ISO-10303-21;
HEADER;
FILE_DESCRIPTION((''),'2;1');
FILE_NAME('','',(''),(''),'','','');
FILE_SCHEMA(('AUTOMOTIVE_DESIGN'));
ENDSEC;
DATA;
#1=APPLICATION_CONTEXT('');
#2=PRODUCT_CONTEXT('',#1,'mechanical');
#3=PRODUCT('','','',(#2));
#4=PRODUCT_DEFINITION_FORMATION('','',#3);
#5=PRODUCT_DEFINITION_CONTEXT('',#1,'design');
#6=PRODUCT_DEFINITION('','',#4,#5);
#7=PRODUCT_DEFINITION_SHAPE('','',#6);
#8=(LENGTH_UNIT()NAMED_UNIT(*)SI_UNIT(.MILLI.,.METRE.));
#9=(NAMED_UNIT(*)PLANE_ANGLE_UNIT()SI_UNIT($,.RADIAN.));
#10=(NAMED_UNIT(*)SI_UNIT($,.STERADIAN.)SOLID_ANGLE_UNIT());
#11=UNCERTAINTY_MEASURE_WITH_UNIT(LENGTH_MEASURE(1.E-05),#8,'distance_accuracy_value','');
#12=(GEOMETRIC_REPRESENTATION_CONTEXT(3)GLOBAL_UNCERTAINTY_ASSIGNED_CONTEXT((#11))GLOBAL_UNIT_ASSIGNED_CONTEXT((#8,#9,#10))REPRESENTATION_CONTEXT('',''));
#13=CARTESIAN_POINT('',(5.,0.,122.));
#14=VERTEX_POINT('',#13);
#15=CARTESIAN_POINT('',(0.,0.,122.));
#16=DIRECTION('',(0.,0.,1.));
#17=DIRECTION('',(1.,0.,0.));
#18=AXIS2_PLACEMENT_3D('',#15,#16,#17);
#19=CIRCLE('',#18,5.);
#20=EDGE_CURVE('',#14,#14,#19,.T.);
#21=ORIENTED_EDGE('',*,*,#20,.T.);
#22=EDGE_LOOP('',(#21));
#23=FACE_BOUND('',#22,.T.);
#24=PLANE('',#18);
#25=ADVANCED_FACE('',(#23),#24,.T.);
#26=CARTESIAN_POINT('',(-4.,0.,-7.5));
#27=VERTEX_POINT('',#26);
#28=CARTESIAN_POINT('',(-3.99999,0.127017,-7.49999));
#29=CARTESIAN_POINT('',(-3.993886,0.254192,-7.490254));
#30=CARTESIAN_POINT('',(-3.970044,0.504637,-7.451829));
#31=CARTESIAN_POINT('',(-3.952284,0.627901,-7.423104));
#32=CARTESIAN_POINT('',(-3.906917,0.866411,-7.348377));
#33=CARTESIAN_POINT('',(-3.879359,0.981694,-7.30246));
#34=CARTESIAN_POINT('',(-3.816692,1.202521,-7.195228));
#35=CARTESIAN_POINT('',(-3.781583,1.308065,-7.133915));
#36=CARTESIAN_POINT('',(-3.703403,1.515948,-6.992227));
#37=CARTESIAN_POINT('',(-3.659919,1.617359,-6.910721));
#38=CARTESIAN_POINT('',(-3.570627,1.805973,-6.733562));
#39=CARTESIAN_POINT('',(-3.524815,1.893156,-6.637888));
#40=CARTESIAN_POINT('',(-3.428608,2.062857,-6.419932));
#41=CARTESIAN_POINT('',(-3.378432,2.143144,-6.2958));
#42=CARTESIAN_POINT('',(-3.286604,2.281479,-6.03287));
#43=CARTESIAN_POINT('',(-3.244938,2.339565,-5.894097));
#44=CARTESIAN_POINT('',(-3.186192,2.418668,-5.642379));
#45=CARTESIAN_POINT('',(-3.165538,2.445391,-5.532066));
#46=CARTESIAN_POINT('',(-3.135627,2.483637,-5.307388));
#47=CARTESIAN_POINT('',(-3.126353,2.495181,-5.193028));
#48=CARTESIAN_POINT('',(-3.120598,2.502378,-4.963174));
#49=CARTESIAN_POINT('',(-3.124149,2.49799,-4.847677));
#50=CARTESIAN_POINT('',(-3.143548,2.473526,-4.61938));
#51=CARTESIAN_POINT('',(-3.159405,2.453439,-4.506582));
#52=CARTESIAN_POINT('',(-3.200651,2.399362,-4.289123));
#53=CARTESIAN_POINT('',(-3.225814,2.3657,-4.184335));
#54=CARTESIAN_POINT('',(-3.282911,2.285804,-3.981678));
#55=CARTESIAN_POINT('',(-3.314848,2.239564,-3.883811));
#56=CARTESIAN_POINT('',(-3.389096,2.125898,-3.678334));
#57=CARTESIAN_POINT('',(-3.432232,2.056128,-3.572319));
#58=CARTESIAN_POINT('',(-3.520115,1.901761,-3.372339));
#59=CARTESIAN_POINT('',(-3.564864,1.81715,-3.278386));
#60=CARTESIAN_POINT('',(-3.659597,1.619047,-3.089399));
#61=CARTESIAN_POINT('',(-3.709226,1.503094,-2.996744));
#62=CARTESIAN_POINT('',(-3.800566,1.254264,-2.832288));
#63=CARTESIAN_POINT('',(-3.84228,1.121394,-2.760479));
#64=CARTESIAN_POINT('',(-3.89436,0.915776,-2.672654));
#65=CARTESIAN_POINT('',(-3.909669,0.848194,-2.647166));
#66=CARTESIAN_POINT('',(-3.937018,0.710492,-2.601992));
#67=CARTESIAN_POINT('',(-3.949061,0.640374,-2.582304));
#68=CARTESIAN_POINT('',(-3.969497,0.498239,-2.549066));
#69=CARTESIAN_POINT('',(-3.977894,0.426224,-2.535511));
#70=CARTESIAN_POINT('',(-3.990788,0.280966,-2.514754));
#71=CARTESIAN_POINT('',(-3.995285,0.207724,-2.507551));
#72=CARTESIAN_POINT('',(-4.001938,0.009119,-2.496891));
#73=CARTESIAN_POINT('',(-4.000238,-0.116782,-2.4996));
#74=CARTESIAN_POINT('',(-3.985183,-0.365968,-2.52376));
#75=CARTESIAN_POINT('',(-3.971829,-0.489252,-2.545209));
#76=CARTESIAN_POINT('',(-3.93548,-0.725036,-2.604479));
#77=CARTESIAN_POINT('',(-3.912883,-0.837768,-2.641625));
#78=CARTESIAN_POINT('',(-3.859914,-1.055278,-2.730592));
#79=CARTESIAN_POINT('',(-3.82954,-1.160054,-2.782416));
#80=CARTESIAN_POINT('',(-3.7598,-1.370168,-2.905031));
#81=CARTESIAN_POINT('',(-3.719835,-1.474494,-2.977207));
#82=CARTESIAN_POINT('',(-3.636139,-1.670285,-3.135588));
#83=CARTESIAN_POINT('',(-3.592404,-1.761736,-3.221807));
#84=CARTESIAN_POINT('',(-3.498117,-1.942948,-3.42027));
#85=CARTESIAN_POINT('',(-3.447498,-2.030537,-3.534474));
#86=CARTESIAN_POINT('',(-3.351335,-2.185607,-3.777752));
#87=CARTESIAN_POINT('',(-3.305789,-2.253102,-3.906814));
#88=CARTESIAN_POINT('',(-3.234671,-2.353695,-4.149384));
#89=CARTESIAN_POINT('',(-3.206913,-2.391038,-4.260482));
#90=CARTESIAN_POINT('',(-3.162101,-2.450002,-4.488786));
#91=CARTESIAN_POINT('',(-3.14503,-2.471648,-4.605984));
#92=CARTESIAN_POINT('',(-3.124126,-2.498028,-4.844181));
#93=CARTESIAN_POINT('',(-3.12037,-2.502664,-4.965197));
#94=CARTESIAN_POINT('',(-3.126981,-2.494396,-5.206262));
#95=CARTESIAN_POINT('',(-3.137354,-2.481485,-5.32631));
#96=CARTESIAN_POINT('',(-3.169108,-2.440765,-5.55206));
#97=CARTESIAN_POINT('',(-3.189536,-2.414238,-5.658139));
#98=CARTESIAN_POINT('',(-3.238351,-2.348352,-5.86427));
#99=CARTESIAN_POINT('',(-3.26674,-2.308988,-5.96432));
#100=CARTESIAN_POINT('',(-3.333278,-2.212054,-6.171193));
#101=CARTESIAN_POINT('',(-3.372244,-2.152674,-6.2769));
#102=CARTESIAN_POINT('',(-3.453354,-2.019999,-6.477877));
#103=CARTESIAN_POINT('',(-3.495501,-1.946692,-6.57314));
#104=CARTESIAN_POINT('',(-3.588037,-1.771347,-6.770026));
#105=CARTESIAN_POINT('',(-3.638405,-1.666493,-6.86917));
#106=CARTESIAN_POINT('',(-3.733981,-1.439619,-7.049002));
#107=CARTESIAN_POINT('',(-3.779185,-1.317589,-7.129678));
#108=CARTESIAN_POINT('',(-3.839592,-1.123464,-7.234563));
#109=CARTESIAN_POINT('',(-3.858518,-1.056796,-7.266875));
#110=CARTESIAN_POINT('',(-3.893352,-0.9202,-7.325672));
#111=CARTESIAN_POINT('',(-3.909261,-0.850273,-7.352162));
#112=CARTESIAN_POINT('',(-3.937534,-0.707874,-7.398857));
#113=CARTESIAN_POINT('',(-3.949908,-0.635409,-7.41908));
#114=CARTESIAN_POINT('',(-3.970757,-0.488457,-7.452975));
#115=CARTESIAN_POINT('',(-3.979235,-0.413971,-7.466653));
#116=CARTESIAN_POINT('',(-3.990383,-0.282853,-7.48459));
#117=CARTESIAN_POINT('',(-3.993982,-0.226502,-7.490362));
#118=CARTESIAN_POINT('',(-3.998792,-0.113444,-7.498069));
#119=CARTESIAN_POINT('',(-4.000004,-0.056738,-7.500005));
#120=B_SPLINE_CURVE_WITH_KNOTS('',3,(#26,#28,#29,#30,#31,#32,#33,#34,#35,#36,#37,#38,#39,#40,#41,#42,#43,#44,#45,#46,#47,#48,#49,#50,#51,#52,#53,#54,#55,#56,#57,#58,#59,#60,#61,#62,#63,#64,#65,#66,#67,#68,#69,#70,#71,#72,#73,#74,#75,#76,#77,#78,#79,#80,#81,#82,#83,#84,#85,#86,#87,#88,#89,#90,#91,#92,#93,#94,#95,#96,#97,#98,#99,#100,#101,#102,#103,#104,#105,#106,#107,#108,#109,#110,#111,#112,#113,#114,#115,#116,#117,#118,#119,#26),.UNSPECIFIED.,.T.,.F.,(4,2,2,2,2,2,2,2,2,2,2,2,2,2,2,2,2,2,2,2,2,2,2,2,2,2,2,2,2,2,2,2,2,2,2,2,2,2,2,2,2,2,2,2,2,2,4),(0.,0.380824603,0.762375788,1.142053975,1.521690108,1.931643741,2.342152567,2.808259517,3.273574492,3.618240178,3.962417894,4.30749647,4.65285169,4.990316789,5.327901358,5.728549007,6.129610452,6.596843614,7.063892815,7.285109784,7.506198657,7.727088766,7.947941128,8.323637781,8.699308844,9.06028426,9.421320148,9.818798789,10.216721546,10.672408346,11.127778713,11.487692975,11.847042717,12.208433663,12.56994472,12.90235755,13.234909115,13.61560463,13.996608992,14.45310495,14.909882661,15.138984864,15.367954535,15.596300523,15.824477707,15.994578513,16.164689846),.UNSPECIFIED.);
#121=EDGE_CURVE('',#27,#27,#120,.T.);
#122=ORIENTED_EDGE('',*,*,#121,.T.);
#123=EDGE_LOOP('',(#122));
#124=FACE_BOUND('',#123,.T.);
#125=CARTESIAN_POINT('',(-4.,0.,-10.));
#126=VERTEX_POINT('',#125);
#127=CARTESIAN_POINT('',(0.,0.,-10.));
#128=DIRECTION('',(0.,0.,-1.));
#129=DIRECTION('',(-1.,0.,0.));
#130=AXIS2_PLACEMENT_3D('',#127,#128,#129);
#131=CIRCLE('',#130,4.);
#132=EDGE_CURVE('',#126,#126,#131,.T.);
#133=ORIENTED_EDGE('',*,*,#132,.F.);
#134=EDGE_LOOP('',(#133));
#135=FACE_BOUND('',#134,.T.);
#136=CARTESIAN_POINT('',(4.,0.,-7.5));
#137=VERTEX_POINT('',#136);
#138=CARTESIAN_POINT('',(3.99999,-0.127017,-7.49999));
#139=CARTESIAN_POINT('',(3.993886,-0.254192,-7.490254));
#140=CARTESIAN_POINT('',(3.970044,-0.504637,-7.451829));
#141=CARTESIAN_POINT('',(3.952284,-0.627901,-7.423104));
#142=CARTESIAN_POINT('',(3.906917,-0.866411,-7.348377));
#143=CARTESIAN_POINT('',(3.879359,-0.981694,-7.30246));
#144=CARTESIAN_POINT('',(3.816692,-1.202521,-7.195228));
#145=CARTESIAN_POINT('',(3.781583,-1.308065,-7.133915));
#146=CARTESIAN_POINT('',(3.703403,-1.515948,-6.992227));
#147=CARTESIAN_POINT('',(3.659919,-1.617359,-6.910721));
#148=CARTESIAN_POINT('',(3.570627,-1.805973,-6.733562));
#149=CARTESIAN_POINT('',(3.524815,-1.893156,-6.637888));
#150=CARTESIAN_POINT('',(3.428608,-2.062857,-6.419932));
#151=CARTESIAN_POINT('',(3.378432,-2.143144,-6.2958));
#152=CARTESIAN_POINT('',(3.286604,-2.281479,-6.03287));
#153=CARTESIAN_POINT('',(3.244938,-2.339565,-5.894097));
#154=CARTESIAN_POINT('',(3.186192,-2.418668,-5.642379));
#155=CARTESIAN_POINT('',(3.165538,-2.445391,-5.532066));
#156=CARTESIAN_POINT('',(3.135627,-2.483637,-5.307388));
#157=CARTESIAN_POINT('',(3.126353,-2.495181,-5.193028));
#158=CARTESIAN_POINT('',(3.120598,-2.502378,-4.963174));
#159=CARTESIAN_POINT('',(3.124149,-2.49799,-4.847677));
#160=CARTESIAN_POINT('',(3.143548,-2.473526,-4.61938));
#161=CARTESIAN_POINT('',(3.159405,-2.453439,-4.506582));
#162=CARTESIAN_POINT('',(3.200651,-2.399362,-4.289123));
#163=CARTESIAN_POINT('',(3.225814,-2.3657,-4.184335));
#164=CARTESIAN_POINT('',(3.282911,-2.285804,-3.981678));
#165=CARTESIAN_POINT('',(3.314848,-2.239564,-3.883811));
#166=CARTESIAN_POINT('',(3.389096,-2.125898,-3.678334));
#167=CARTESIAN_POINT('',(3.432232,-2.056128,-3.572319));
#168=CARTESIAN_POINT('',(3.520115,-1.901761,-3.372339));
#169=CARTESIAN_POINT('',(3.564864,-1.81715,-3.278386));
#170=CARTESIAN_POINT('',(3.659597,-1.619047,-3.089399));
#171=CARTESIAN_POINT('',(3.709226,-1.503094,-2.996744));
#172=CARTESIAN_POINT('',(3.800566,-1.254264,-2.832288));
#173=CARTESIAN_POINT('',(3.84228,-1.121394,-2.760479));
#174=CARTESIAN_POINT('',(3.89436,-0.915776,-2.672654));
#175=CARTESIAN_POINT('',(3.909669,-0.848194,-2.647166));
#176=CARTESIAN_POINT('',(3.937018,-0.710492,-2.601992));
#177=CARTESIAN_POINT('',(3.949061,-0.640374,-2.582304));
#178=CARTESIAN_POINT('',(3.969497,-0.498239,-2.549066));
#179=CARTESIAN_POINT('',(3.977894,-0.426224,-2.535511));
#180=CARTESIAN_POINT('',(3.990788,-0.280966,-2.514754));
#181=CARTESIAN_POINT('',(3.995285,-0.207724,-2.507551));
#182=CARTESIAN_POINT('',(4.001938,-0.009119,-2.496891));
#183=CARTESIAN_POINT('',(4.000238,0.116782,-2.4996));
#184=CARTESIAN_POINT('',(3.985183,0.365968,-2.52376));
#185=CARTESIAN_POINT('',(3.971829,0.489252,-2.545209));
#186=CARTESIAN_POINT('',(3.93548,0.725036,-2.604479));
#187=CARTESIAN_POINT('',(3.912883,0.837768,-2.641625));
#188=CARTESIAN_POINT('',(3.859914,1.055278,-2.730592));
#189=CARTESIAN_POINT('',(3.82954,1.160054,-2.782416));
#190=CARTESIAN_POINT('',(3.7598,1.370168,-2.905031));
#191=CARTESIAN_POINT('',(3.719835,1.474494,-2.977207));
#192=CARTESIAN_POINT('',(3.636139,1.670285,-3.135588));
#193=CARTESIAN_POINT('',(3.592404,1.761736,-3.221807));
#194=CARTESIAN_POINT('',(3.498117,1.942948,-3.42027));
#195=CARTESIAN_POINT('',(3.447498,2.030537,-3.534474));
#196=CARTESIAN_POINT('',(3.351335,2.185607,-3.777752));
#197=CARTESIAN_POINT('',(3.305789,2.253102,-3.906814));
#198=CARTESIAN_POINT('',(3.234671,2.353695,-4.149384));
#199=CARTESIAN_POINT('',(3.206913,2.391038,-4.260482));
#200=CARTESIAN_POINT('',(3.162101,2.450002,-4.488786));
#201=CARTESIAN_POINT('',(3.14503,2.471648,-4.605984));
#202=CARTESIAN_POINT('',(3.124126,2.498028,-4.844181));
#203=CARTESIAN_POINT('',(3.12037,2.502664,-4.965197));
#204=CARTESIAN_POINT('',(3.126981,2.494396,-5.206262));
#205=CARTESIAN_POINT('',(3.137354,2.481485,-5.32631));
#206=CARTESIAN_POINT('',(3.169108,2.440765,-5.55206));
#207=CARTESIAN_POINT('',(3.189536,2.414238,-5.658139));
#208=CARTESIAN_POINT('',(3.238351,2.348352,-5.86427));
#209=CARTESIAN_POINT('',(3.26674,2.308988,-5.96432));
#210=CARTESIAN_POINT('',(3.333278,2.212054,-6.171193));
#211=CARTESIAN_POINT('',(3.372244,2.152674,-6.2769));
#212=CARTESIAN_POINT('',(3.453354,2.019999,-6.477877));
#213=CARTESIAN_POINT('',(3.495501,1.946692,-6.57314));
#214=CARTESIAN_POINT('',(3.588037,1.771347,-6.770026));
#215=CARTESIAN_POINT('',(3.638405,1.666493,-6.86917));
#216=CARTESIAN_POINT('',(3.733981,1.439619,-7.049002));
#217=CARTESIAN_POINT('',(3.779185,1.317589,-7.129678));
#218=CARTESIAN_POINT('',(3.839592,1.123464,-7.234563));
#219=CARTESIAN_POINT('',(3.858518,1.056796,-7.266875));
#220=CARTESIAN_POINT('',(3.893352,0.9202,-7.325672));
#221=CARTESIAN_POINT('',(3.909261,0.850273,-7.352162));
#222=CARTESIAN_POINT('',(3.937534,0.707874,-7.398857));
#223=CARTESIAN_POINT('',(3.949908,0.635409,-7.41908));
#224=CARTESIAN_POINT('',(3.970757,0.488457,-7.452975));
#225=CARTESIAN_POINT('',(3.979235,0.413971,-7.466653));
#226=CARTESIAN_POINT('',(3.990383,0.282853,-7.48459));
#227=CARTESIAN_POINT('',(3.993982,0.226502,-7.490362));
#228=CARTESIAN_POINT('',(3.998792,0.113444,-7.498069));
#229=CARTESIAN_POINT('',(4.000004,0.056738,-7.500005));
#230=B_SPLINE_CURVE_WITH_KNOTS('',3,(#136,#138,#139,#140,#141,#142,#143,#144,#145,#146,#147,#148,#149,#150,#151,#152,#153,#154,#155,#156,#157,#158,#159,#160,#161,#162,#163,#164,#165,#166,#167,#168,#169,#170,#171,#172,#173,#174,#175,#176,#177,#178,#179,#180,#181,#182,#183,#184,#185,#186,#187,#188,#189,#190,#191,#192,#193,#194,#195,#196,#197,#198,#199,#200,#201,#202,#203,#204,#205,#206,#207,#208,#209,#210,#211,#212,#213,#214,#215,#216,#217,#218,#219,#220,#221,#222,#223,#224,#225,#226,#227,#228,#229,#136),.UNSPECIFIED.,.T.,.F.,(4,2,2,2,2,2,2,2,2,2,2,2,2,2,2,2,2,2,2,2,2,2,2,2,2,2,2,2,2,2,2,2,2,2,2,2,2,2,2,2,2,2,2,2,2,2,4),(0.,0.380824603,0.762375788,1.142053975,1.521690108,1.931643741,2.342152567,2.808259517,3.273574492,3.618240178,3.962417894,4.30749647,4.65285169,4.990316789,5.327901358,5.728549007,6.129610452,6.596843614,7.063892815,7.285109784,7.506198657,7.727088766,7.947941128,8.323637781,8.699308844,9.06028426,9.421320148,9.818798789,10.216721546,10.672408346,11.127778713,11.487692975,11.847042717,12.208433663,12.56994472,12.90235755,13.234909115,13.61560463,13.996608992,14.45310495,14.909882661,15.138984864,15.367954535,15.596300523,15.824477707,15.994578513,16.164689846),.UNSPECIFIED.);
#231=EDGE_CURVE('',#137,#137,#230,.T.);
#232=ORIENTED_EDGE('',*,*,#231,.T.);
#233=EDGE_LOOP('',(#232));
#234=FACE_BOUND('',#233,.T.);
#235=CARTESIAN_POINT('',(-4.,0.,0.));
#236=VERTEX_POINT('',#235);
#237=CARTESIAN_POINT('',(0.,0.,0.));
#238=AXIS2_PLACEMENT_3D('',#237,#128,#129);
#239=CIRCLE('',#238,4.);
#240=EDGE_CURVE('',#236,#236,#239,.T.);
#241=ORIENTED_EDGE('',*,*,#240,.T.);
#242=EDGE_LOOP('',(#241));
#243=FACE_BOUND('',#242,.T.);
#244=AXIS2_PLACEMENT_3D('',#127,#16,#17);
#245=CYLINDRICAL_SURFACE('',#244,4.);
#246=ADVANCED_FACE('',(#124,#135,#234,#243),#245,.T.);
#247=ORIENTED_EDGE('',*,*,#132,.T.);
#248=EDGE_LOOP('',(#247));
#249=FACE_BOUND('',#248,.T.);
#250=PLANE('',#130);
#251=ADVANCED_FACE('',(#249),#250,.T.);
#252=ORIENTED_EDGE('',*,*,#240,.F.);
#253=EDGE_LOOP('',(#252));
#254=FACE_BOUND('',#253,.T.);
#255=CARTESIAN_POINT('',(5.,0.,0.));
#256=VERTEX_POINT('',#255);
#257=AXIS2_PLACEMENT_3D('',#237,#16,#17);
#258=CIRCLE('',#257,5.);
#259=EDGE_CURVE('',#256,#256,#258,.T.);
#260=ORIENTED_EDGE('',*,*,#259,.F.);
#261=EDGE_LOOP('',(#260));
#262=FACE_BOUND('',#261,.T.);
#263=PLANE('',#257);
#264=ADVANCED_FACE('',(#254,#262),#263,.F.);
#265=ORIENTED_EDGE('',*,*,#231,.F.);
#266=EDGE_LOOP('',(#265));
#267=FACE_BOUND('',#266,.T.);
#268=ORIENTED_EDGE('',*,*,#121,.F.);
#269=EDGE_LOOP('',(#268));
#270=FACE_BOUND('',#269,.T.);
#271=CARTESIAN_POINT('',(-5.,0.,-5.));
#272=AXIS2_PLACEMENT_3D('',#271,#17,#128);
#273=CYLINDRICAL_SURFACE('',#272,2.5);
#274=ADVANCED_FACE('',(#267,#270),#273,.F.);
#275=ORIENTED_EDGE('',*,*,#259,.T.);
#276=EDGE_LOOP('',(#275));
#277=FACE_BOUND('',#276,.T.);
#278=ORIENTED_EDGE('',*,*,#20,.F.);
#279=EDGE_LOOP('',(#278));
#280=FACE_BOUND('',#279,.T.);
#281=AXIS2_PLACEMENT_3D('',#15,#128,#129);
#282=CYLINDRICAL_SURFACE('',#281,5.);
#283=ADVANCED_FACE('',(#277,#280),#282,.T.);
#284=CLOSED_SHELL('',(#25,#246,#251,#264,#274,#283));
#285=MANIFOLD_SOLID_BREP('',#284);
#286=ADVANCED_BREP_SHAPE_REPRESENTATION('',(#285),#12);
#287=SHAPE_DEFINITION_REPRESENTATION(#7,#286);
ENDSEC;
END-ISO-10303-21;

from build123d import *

# Parameters (mm, degrees)
SKETCH1_R               = 5
BOSS_EXTRUDE1_DEPTH     = 122
SKETCH2_R               = 4
BOSS_EXTRUDE2_DEPTH     = 10
SKETCH3_R               = 2.5
CUT_EXTRUDE1_DEPTH      = 6
CUT_EXTRUDE1_DEPTH_BACK = 6


with BuildPart() as part:
    # Sketch1 → Boss-Extrude1 (new body)
    with BuildSketch(Plane.XY):
        Circle(SKETCH1_R)
    extrude(amount=BOSS_EXTRUDE1_DEPTH)

    # Sketch2 → Boss-Extrude2 (add)
    with BuildSketch(Plane(origin=(0, 0, 0), x_dir=(-1, 0, 0), z_dir=(0, 0, -1))):
        Circle(SKETCH2_R)
    extrude(amount=BOSS_EXTRUDE2_DEPTH)

    # Sketch3 → Cut-Extrude1 (cut, two sides)
    with BuildSketch(Plane(origin=(0, 0, 0), x_dir=(0, 0, -1), z_dir=(1, 0, 0))) as cut_extrude1_sk:
        with Locations((5, 0)):
            Circle(SKETCH3_R)
    extrude(amount=CUT_EXTRUDE1_DEPTH, mode=Mode.SUBTRACT)
    extrude(cut_extrude1_sk.sketch, amount=-CUT_EXTRUDE1_DEPTH_BACK, mode=Mode.SUBTRACT)


solid = part.part
